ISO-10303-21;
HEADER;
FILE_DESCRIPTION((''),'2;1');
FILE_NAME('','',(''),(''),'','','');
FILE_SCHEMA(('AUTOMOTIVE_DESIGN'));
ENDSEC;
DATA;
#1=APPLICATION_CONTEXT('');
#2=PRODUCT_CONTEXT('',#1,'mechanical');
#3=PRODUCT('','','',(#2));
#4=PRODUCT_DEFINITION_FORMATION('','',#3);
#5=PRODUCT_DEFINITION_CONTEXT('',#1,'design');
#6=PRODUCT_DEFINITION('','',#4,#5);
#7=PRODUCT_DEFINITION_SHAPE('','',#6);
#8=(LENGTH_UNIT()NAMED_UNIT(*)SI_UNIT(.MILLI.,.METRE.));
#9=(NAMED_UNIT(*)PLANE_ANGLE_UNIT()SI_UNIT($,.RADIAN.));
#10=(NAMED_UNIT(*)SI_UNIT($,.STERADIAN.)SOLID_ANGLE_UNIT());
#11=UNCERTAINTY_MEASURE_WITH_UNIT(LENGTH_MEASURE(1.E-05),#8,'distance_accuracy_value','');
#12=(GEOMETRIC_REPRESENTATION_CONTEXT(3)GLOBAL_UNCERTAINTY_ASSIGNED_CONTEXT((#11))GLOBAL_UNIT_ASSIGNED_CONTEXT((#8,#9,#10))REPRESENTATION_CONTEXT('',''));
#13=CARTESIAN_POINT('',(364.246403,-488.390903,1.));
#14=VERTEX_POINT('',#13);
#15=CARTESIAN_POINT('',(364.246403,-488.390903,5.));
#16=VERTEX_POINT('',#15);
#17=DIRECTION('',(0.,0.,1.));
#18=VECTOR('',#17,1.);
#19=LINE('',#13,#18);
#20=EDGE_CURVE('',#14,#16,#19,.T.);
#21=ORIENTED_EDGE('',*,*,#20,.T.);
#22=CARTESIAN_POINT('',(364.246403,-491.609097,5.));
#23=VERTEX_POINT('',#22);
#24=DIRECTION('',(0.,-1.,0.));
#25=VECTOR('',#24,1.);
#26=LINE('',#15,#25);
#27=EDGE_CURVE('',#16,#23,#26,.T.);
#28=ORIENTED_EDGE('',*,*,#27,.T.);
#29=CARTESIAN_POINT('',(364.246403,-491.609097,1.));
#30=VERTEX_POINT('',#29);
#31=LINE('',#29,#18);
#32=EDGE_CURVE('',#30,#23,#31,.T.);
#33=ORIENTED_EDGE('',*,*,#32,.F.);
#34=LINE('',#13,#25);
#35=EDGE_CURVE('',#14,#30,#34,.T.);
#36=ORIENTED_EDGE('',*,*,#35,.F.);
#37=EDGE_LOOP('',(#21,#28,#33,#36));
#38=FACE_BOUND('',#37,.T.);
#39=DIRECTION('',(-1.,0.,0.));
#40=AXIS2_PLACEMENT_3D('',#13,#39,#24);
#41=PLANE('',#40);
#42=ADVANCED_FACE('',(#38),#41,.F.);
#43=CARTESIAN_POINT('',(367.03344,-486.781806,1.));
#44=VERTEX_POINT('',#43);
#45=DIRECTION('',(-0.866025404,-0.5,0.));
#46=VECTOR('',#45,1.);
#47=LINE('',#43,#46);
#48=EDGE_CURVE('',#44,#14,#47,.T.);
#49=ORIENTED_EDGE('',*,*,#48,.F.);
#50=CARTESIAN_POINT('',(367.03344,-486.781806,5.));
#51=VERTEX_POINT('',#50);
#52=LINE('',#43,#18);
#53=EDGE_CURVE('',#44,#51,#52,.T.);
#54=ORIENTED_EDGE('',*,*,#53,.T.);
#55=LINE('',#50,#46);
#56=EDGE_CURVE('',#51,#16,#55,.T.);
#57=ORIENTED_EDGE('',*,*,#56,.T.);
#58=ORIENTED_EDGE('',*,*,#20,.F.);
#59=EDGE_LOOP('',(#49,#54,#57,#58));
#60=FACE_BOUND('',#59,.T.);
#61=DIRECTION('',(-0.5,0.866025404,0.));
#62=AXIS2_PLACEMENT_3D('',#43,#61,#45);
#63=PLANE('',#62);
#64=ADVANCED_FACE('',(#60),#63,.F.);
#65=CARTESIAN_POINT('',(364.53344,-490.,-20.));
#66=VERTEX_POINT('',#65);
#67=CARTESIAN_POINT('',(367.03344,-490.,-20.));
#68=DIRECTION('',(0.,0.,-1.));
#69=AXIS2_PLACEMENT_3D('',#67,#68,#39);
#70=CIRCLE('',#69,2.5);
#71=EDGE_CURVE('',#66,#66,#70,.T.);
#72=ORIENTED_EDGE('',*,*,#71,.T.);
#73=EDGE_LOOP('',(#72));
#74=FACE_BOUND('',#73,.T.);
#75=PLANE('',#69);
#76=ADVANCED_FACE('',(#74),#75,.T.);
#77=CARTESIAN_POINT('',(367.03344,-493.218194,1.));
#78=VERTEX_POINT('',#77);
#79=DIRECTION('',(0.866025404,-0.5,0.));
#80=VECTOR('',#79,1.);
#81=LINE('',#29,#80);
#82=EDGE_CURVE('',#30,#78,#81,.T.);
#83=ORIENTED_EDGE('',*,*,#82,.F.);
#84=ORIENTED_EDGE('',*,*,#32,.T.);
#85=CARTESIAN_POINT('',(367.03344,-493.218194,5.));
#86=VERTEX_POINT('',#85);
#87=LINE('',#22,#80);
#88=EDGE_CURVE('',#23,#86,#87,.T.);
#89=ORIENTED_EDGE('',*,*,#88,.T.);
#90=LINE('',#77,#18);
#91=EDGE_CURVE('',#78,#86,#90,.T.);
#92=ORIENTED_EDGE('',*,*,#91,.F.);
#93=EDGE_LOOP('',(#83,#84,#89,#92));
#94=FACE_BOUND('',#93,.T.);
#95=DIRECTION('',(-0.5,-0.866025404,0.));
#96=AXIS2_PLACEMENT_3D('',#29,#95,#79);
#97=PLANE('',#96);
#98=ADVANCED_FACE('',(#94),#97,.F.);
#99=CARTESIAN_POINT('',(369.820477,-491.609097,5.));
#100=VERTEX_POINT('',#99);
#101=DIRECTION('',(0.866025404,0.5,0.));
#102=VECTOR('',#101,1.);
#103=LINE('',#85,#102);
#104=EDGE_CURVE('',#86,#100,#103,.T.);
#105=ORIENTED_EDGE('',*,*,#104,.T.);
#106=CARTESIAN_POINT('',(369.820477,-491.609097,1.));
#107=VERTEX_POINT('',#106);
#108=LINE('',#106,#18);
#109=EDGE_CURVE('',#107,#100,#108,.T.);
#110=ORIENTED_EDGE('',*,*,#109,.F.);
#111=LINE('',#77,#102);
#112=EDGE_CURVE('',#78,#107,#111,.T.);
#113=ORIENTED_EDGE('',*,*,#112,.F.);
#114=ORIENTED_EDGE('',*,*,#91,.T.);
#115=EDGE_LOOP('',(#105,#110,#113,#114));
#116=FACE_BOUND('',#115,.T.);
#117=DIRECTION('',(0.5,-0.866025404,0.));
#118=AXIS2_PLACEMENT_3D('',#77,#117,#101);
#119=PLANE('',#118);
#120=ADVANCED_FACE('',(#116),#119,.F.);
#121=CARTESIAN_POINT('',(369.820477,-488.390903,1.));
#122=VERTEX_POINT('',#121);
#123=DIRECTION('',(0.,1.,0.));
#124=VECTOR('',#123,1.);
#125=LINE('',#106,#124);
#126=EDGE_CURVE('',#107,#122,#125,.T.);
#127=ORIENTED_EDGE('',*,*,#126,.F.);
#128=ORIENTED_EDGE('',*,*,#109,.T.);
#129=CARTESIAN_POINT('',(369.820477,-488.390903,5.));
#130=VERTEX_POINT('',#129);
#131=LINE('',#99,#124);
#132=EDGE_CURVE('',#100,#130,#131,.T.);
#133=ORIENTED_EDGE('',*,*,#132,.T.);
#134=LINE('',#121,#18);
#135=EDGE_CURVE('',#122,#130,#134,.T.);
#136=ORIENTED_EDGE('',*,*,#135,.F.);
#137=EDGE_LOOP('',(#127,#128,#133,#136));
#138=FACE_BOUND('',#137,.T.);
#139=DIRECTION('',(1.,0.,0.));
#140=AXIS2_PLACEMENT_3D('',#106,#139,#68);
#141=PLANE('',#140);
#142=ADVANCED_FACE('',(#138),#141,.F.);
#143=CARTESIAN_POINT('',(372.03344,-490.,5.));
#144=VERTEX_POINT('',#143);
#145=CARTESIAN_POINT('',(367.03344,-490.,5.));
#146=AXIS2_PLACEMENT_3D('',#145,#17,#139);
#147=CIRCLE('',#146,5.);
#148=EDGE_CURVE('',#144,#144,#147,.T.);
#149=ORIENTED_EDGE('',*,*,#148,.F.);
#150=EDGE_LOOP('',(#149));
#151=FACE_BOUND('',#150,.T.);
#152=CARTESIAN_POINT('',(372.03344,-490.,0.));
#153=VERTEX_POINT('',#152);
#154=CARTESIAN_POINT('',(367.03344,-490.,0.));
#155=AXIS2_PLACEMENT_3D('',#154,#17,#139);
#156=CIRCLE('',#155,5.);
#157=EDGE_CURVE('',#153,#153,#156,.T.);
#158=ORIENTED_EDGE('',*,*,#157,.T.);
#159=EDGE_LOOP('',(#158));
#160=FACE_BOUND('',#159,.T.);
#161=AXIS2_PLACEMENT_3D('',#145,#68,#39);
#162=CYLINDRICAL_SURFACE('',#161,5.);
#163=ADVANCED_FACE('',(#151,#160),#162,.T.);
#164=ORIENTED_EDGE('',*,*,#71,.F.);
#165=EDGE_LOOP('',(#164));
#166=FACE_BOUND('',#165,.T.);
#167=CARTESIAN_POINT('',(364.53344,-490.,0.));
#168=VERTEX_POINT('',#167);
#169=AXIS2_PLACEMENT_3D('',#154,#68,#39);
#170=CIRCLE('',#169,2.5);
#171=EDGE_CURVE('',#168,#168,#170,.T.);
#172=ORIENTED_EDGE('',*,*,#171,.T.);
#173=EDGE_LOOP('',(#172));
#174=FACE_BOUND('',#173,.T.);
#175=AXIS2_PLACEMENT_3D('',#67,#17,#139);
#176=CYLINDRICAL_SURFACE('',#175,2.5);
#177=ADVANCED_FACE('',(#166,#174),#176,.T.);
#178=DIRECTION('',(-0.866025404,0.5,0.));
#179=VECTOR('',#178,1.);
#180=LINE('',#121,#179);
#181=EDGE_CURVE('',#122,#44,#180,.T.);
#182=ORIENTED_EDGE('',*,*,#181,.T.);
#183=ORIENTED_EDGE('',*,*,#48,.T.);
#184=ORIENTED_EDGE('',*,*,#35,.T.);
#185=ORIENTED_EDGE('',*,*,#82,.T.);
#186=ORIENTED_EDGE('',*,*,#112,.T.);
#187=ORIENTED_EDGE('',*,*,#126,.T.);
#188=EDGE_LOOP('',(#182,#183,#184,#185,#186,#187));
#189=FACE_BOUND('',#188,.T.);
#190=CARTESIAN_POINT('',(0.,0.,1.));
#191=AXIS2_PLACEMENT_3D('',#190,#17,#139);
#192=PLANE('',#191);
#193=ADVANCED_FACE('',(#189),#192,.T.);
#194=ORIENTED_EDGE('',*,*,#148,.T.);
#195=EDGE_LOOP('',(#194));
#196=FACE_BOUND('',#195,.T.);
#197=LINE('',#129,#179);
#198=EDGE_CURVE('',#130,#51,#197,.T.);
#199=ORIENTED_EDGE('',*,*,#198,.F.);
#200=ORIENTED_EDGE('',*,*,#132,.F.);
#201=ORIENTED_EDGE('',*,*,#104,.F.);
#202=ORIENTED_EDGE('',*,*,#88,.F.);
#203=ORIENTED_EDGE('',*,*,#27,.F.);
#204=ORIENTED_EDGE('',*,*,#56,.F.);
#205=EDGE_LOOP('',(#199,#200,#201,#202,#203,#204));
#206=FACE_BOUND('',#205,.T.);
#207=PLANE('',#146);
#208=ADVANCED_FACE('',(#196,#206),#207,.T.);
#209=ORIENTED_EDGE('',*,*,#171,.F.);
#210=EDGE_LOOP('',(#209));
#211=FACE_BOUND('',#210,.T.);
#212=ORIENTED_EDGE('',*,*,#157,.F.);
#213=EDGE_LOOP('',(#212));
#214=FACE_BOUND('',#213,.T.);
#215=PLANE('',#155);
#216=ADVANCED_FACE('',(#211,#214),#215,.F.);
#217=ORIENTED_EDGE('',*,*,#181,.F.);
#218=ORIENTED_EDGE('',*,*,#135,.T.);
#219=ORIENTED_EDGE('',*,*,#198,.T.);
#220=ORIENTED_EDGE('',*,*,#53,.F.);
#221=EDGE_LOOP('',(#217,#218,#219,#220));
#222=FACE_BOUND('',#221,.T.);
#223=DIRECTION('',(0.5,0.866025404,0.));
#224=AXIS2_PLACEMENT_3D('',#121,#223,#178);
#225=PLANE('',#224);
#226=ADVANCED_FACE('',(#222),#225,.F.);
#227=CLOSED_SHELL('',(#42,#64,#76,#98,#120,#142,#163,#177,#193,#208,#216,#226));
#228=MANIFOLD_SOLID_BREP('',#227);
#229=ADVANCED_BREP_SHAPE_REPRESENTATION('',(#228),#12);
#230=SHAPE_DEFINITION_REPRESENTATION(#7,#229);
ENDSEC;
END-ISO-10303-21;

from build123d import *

# Parameters (mm, degrees)
SKETCH1_R           = 5
BOSS_EXTRUDE1_DEPTH = 5
SKETCH2_R           = 2.5
BOSS_EXTRUDE2_DEPTH = 20
CUT_EXTRUDE1_DEPTH  = 4


with BuildPart() as part:
    # Sketch1 → Boss-Extrude1 (new body)
    with BuildSketch(Plane.XY):
        with Locations((367.033440134, -490)):
            Circle(SKETCH1_R)
    extrude(amount=BOSS_EXTRUDE1_DEPTH)

    # Sketch2 → Boss-Extrude2 (add)
    with BuildSketch(Plane(origin=(0, 0, 0), x_dir=(-1, 0, 0), z_dir=(0, 0, -1))):
        with Locations((-367.033440134, -490)):
            Circle(SKETCH2_R)
    extrude(amount=BOSS_EXTRUDE2_DEPTH)

    # Sketch3 → Cut-Extrude1 (cut)
    with BuildSketch(Plane.XY.offset(5)):
        Polygon((367.033440134, -493.218193517), (369.820477474, -491.609096758), (369.820477474, -488.390903242), (367.033440134, -486.781806483), (364.246402794, -488.390903242), (364.246402794, -491.609096758), align=None)
    extrude(amount=-CUT_EXTRUDE1_DEPTH, mode=Mode.SUBTRACT)


solid = part.part
